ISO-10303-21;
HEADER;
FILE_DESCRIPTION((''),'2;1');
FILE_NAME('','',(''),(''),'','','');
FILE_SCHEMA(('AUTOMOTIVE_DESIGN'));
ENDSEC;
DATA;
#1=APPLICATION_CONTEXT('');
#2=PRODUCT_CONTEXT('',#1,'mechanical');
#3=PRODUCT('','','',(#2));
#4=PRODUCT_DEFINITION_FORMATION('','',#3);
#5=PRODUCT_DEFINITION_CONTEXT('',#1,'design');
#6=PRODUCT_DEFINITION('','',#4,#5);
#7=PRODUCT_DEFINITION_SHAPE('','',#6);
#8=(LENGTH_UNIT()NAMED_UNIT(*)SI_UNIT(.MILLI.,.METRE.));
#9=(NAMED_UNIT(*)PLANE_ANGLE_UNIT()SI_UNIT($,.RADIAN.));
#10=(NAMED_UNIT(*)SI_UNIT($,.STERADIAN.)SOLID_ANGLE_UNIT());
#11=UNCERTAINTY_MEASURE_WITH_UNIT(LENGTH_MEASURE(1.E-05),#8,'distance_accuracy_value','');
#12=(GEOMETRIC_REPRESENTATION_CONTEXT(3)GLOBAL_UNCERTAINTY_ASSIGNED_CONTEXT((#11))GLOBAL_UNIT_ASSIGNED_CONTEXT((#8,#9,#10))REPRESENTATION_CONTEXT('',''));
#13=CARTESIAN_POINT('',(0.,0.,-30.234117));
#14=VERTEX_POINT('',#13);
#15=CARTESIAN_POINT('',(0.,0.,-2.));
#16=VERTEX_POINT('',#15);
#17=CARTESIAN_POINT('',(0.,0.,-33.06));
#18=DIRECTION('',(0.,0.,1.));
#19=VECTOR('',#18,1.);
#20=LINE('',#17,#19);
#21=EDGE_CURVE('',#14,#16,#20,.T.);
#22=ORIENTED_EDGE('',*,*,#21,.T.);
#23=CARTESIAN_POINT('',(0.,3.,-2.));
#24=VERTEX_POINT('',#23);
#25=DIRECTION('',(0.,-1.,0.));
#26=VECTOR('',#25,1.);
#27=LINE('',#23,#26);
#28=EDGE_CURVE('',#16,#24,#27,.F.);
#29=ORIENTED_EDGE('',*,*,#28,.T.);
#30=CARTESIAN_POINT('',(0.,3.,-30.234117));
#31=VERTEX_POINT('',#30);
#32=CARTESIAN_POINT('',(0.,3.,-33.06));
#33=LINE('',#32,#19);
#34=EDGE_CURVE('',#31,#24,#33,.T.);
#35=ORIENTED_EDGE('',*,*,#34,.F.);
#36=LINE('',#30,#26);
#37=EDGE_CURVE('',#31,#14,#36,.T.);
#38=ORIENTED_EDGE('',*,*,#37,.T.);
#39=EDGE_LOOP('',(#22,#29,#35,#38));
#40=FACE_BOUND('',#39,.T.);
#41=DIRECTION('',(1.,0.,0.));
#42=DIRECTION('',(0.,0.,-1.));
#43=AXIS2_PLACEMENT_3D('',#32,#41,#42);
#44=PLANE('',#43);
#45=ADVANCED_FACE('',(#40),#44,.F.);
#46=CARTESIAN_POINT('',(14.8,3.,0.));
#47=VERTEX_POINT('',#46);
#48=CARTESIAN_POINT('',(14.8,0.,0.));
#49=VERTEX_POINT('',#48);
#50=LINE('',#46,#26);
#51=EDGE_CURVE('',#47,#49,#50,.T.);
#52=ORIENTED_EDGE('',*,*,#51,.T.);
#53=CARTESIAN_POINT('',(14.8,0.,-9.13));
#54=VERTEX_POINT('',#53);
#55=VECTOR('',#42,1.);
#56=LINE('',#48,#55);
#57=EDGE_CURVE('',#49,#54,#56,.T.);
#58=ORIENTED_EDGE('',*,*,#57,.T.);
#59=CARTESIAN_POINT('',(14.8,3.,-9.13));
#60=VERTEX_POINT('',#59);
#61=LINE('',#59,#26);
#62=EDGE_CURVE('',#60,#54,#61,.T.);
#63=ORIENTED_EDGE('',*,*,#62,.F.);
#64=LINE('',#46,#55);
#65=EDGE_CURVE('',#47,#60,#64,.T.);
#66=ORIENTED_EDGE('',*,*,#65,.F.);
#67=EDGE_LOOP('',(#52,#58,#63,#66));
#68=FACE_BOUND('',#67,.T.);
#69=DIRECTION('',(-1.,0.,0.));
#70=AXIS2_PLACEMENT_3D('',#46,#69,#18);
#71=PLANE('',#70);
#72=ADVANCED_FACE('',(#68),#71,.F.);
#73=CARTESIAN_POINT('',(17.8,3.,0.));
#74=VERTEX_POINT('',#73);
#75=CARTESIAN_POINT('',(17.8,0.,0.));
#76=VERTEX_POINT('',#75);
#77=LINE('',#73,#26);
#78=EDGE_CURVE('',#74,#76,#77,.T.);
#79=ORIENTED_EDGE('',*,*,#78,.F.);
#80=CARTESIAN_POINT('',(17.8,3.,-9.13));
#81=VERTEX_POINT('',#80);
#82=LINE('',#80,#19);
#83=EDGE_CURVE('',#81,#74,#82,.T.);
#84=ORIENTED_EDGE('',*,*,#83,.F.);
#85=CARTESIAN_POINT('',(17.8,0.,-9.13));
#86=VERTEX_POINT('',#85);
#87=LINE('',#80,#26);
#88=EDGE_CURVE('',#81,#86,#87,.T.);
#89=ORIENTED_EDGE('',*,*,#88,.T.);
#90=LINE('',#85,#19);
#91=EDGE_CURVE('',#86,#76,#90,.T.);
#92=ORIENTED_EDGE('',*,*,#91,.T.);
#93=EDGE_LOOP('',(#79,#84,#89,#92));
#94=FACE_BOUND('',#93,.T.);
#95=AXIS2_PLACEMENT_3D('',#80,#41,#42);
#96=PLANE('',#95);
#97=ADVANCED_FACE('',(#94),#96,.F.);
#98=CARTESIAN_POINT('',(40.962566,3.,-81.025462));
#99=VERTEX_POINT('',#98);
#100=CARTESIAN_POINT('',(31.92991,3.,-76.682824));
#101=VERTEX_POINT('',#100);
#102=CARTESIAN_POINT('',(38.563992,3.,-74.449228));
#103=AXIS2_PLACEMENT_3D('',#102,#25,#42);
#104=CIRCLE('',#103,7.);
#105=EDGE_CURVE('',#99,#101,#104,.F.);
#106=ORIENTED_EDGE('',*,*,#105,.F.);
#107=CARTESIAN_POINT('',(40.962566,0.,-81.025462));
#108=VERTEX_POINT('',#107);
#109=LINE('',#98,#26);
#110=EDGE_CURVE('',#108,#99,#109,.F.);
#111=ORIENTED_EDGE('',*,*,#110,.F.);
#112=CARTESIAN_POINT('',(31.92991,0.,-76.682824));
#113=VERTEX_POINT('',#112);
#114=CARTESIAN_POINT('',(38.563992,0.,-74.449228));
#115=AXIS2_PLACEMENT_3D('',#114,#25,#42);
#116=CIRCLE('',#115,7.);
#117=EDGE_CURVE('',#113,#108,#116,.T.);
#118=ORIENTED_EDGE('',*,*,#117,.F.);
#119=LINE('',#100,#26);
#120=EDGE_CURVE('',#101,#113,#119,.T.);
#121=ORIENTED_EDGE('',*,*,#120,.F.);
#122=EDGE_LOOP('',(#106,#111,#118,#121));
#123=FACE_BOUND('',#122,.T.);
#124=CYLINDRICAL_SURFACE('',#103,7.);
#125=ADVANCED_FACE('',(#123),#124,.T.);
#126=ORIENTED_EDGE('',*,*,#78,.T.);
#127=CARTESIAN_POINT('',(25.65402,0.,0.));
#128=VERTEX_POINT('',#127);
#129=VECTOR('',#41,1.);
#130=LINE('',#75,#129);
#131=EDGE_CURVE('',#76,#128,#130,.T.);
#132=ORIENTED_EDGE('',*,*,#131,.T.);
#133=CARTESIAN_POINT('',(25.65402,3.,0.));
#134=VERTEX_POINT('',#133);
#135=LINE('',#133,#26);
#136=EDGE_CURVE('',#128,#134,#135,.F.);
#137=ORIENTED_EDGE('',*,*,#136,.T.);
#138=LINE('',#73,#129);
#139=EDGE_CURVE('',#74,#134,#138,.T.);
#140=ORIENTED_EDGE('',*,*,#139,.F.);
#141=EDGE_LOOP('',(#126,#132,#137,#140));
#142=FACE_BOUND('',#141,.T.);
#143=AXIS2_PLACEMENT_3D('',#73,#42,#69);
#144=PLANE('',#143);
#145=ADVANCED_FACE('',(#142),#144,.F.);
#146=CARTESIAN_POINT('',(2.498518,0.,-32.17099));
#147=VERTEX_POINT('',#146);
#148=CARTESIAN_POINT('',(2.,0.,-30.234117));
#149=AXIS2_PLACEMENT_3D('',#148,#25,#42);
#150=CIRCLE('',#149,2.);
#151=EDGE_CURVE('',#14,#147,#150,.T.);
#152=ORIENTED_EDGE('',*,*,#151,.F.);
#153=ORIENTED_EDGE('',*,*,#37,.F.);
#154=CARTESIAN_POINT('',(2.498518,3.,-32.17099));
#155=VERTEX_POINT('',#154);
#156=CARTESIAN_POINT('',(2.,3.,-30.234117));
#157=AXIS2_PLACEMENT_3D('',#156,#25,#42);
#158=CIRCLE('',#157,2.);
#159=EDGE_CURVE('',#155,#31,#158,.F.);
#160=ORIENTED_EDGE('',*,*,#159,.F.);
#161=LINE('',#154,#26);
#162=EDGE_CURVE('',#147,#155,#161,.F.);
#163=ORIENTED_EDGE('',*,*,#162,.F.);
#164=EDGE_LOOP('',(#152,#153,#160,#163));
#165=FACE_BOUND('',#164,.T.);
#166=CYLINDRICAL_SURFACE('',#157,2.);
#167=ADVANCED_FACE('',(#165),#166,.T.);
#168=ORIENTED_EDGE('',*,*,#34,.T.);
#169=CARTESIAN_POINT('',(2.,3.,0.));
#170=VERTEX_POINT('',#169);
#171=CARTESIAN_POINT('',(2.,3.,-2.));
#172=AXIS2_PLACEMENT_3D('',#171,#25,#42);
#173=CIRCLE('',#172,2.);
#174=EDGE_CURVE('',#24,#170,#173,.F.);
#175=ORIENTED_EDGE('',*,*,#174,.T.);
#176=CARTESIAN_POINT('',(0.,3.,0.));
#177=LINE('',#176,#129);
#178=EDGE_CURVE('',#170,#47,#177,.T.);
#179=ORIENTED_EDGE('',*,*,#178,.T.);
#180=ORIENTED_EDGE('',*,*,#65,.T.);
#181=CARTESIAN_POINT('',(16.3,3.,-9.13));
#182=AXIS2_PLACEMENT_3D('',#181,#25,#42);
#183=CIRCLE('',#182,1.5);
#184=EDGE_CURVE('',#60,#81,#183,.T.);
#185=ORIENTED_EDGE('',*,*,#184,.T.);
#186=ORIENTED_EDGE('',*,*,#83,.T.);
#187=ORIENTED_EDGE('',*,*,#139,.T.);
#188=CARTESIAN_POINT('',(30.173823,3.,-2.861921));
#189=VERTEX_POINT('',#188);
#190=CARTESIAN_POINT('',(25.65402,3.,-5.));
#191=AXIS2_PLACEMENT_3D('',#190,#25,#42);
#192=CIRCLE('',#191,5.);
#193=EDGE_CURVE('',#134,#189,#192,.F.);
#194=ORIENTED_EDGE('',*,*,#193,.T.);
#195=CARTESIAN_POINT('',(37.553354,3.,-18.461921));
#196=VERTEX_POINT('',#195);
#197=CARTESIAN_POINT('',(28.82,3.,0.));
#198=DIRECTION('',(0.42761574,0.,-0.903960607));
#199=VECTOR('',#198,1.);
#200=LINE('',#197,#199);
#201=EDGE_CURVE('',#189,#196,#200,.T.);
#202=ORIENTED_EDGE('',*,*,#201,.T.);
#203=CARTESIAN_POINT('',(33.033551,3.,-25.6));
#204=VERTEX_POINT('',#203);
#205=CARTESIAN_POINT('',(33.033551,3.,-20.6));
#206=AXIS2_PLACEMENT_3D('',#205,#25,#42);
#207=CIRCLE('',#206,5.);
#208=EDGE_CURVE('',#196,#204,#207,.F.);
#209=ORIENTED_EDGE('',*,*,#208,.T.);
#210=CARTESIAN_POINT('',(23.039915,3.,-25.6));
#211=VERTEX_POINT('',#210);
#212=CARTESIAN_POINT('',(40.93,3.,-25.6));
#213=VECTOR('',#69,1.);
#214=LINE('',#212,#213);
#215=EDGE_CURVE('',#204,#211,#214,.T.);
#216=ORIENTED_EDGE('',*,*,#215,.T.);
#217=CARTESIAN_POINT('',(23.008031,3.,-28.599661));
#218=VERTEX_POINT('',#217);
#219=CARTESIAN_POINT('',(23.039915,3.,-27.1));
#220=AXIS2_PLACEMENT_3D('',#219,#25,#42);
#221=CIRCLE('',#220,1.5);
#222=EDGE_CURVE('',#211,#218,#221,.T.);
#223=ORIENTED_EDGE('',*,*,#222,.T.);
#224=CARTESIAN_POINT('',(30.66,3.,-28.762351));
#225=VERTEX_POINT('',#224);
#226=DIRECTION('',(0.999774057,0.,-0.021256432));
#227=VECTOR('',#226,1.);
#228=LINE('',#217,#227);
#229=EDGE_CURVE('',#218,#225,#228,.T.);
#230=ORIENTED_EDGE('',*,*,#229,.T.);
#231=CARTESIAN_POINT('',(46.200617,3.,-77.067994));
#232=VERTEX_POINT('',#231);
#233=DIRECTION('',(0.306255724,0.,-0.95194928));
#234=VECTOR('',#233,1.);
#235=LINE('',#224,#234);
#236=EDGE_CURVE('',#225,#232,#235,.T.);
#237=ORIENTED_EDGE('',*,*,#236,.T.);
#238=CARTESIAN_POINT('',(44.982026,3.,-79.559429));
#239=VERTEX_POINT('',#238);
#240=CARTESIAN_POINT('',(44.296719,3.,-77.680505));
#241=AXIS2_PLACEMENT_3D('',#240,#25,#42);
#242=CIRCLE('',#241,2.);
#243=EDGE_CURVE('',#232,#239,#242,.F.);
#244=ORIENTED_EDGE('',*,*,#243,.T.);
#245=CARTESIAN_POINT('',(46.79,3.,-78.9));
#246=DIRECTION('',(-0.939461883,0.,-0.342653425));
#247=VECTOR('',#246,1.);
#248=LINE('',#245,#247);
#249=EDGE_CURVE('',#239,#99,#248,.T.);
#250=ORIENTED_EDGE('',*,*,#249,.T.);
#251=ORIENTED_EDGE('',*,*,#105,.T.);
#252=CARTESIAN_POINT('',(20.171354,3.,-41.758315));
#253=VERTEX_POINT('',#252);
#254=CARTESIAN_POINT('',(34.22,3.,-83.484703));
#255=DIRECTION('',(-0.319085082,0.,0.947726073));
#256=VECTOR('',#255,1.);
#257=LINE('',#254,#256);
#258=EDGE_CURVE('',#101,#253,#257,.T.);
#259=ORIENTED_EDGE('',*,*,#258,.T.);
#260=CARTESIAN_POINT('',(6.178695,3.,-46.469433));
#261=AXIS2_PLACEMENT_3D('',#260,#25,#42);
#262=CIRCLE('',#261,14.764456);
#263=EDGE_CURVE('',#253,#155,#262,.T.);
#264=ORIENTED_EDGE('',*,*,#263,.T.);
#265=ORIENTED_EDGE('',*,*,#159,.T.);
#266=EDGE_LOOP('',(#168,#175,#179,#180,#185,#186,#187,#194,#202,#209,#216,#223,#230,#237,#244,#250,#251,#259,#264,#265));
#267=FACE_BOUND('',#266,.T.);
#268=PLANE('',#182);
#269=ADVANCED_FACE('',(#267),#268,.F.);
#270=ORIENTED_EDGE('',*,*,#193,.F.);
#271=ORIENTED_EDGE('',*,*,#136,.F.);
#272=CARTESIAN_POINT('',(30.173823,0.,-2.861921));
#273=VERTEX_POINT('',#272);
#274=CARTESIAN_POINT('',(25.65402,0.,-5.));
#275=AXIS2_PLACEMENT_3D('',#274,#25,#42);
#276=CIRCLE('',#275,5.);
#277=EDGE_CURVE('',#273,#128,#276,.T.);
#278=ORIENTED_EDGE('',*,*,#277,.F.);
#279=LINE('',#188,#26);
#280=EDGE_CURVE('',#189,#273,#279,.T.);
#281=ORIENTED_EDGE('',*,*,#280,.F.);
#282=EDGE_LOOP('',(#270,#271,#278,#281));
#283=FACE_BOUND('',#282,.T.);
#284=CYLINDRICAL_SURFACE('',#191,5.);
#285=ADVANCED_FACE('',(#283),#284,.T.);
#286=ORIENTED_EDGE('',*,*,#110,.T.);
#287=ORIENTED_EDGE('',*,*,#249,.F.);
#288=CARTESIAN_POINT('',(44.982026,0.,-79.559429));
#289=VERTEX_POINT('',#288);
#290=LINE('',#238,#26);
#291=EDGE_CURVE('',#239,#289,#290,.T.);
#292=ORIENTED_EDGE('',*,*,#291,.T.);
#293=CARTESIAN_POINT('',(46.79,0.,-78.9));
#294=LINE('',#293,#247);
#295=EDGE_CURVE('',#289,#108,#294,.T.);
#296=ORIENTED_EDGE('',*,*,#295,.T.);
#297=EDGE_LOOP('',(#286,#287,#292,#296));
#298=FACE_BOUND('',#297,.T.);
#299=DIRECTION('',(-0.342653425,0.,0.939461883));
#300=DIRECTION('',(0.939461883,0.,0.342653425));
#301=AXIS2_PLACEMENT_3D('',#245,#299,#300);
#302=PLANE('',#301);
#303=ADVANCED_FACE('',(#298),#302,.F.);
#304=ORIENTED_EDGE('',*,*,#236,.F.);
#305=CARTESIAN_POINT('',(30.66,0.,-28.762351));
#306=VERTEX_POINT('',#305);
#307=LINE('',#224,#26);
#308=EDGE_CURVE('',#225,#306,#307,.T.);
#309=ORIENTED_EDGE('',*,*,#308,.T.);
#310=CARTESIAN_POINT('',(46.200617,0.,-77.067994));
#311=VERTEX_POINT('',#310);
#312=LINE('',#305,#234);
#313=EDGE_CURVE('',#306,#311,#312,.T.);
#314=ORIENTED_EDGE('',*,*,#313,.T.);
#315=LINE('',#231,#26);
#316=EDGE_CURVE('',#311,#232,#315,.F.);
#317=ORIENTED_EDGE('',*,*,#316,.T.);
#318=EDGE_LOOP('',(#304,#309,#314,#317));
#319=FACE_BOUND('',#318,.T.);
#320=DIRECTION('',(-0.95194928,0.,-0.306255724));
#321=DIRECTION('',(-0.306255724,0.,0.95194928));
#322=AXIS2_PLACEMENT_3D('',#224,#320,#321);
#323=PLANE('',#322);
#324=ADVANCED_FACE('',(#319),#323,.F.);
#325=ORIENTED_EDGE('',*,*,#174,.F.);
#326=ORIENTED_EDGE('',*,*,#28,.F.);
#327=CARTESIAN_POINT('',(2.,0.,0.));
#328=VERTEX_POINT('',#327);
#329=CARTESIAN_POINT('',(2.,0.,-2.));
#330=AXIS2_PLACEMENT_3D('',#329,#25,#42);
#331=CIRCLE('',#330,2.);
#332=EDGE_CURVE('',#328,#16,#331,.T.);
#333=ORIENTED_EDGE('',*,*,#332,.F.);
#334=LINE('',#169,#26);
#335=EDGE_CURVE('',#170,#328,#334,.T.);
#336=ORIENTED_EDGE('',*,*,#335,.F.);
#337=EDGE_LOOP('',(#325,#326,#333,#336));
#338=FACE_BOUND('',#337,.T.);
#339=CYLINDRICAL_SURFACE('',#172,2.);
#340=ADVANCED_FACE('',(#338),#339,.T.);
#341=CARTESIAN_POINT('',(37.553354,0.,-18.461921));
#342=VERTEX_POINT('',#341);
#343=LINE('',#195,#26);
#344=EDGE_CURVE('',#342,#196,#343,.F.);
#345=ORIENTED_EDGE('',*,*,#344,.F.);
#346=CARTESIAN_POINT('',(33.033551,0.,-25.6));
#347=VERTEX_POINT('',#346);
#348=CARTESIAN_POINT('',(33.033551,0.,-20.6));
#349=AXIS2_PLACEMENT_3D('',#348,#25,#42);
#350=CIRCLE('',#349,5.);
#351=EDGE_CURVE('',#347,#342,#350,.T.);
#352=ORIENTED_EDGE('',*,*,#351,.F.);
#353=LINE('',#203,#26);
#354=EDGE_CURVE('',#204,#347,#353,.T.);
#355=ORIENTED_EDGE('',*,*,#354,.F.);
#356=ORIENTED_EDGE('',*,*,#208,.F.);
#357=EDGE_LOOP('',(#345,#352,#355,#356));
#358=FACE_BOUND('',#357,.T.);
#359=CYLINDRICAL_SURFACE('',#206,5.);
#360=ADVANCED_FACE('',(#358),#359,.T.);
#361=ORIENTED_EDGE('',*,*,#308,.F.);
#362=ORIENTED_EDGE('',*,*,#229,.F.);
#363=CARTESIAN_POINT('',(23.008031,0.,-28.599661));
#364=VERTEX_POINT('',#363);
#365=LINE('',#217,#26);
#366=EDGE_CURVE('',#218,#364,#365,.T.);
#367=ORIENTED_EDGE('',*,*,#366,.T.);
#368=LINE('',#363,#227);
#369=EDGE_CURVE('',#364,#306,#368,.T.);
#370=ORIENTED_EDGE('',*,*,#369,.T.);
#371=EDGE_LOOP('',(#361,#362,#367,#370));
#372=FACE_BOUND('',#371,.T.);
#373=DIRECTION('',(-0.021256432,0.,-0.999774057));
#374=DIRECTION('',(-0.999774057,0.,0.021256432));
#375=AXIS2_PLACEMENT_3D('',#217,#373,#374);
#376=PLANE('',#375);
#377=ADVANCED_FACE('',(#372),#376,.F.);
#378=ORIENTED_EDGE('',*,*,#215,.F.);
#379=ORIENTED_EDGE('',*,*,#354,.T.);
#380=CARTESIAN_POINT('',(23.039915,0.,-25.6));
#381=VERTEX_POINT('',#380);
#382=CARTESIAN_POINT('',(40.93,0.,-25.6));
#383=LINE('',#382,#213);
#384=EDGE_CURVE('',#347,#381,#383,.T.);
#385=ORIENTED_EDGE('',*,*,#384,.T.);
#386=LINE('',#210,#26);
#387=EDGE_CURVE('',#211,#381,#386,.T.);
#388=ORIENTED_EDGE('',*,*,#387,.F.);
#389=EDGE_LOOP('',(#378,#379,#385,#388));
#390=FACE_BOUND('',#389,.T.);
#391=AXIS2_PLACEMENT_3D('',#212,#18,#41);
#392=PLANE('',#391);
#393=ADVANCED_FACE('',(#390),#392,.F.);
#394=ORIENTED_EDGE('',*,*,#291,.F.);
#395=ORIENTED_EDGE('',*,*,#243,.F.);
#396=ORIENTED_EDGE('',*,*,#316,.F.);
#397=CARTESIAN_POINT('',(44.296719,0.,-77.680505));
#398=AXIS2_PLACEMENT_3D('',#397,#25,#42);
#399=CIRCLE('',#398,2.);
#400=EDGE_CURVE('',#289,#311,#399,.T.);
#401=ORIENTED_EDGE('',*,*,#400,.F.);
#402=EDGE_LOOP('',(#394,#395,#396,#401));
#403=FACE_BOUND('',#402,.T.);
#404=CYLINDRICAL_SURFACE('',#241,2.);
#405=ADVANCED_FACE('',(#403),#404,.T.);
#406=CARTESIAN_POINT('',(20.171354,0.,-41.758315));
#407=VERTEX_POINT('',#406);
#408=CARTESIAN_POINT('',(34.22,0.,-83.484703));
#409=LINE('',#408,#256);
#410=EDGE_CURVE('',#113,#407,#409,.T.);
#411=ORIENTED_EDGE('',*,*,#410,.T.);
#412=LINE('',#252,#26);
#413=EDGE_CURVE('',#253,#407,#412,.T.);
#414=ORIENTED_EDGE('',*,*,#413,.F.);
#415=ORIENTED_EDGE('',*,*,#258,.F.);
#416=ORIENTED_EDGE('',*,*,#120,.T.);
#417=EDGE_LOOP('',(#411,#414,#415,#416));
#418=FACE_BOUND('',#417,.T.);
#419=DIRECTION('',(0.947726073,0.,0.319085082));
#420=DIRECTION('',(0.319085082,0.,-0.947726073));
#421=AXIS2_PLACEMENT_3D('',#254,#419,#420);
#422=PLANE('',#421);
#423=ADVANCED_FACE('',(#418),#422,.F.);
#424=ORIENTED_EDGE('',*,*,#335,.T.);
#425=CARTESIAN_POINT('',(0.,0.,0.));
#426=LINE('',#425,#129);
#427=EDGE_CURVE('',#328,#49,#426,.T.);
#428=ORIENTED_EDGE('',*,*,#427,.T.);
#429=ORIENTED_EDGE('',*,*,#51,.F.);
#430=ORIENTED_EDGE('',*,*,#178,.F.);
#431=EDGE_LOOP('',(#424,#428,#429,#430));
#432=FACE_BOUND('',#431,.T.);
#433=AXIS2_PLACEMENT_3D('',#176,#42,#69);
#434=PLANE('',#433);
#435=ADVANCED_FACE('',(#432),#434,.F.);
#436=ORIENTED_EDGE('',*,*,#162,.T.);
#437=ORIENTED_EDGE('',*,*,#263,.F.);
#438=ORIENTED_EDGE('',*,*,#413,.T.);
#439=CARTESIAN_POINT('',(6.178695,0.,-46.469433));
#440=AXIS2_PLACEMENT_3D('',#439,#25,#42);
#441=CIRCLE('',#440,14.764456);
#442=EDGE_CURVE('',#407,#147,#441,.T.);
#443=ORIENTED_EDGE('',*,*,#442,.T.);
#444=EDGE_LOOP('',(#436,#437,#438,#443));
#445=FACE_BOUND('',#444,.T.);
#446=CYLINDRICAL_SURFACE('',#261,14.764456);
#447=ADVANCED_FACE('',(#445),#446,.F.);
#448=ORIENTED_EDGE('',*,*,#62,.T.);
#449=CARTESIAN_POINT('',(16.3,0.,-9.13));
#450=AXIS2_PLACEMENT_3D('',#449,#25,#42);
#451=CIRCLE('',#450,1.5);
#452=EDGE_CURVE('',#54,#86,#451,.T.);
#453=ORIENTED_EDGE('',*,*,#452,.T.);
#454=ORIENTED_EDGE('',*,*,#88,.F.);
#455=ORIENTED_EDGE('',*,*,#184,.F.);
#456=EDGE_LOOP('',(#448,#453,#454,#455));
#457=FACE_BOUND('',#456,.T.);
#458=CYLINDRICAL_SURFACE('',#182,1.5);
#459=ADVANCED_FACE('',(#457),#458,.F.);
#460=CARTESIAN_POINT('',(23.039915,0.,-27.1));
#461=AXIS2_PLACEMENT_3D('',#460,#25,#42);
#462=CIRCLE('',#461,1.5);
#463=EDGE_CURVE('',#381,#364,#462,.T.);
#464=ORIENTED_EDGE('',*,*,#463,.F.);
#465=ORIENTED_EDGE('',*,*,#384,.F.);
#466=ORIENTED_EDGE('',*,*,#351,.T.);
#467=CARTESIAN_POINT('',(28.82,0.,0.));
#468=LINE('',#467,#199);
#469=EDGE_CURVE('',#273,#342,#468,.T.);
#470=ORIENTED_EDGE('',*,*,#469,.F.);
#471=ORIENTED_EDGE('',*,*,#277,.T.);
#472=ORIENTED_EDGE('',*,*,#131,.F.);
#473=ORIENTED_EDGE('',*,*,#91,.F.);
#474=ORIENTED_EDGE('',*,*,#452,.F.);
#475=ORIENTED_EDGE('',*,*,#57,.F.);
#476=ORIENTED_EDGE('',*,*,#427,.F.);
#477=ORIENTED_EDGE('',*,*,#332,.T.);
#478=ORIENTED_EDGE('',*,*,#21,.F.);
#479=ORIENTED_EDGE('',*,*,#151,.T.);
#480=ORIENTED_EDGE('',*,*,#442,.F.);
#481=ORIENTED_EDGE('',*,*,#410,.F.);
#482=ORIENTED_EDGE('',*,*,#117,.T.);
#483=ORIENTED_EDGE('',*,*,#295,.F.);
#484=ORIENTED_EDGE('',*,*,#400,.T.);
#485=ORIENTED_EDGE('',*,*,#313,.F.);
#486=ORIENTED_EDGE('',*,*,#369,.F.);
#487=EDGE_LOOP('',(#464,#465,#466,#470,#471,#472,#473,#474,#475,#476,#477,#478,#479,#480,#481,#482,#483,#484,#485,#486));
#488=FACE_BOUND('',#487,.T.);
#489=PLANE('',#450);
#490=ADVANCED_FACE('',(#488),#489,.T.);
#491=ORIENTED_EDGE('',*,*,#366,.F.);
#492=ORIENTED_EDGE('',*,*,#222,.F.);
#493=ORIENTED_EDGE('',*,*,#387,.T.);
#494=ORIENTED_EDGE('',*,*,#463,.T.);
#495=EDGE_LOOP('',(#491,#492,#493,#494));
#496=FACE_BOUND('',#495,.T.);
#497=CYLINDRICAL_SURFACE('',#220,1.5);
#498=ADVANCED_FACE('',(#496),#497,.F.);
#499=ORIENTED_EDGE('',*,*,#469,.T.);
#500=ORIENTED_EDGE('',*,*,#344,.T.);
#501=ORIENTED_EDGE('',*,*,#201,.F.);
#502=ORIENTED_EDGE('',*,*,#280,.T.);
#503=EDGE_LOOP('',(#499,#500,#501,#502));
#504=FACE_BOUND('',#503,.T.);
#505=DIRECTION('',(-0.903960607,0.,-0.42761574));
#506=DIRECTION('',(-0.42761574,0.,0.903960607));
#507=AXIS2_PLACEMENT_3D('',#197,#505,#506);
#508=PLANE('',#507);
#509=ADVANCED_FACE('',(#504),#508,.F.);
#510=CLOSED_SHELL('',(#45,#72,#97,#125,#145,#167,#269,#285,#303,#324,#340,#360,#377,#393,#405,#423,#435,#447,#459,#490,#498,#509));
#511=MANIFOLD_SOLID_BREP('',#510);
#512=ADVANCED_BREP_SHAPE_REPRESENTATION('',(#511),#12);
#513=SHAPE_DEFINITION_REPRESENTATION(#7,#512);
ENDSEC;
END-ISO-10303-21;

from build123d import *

# Parameters (mm, degrees)
BOSS_EXTRUDE1_DEPTH = 3
FILLET1_R           = 5
FILLET2_R           = 2
FILLET3_R           = 7
FILLET4_R           = 2
FILLET5_R           = 5


with BuildPart() as part:
    # Sketch1 → Boss-Extrude1 (new body)
    with BuildSketch(Plane(origin=(0, 0, 0), x_dir=(1, 0, 0), z_dir=(0, 1, 0))):
        with BuildLine():
            Line((0, 33.06), (0, 0))
            Line((0, 0), (14.8, 0))
            Line((14.8, 0), (14.8, 9.13))
            ThreePointArc((14.8, 9.13), (16.3, 10.63), (17.8, 9.13))
            Line((17.8, 9.13), (17.8, 0))
            Line((17.8, 0), (28.82, 0))
            Line((28.82, 0), (40.93, 25.6))
            Line((40.93, 25.6), (23.039915269, 25.6))
            ThreePointArc((23.039915269, 25.6), (21.54, 27.084056775), (23.00803062, 28.599661085))
            Line((23.00803062, 28.599661085), (30.66, 28.762351413))
            Line((30.66, 28.762351413), (46.79, 78.9))
            Line((46.79, 78.9), (34.22, 83.484702826))
            Line((34.22, 83.484702826), (20.171354305, 41.75831525))
            ThreePointArc((20.171354305, 41.75831525), (12.025034014, 32.911797705), (0, 33.06))
        make_face()
    extrude(amount=BOSS_EXTRUDE1_DEPTH)

    # Fillet1
    fillet1_edges = [part.edges().sort_by_distance(p)[0] for p in [
        (40.93, 1.5, -25.6),
    ]]
    fillet(fillet1_edges, radius=FILLET1_R)

    # Fillet2
    fillet2_edges = [part.edges().sort_by_distance(p)[0] for p in [
        (0, 1.5, -33.06),
    ]]
    fillet(fillet2_edges, radius=FILLET2_R)

    # Fillet3
    fillet3_edges = [part.edges().sort_by_distance(p)[0] for p in [
        (34.22, 1.5, -83.484702826),
    ]]
    fillet(fillet3_edges, radius=FILLET3_R)

    # Fillet4
    fillet4_edges = [part.edges().sort_by_distance(p)[0] for p in [
        (0, 1.5, 0),
        (46.79, 1.5, -78.9),
    ]]
    fillet(fillet4_edges, radius=FILLET4_R)

    # Fillet5
    fillet5_edges = [part.edges().sort_by_distance(p)[0] for p in [
        (28.82, 1.5, 0),
    ]]
    fillet(fillet5_edges, radius=FILLET5_R)


solid = part.part
